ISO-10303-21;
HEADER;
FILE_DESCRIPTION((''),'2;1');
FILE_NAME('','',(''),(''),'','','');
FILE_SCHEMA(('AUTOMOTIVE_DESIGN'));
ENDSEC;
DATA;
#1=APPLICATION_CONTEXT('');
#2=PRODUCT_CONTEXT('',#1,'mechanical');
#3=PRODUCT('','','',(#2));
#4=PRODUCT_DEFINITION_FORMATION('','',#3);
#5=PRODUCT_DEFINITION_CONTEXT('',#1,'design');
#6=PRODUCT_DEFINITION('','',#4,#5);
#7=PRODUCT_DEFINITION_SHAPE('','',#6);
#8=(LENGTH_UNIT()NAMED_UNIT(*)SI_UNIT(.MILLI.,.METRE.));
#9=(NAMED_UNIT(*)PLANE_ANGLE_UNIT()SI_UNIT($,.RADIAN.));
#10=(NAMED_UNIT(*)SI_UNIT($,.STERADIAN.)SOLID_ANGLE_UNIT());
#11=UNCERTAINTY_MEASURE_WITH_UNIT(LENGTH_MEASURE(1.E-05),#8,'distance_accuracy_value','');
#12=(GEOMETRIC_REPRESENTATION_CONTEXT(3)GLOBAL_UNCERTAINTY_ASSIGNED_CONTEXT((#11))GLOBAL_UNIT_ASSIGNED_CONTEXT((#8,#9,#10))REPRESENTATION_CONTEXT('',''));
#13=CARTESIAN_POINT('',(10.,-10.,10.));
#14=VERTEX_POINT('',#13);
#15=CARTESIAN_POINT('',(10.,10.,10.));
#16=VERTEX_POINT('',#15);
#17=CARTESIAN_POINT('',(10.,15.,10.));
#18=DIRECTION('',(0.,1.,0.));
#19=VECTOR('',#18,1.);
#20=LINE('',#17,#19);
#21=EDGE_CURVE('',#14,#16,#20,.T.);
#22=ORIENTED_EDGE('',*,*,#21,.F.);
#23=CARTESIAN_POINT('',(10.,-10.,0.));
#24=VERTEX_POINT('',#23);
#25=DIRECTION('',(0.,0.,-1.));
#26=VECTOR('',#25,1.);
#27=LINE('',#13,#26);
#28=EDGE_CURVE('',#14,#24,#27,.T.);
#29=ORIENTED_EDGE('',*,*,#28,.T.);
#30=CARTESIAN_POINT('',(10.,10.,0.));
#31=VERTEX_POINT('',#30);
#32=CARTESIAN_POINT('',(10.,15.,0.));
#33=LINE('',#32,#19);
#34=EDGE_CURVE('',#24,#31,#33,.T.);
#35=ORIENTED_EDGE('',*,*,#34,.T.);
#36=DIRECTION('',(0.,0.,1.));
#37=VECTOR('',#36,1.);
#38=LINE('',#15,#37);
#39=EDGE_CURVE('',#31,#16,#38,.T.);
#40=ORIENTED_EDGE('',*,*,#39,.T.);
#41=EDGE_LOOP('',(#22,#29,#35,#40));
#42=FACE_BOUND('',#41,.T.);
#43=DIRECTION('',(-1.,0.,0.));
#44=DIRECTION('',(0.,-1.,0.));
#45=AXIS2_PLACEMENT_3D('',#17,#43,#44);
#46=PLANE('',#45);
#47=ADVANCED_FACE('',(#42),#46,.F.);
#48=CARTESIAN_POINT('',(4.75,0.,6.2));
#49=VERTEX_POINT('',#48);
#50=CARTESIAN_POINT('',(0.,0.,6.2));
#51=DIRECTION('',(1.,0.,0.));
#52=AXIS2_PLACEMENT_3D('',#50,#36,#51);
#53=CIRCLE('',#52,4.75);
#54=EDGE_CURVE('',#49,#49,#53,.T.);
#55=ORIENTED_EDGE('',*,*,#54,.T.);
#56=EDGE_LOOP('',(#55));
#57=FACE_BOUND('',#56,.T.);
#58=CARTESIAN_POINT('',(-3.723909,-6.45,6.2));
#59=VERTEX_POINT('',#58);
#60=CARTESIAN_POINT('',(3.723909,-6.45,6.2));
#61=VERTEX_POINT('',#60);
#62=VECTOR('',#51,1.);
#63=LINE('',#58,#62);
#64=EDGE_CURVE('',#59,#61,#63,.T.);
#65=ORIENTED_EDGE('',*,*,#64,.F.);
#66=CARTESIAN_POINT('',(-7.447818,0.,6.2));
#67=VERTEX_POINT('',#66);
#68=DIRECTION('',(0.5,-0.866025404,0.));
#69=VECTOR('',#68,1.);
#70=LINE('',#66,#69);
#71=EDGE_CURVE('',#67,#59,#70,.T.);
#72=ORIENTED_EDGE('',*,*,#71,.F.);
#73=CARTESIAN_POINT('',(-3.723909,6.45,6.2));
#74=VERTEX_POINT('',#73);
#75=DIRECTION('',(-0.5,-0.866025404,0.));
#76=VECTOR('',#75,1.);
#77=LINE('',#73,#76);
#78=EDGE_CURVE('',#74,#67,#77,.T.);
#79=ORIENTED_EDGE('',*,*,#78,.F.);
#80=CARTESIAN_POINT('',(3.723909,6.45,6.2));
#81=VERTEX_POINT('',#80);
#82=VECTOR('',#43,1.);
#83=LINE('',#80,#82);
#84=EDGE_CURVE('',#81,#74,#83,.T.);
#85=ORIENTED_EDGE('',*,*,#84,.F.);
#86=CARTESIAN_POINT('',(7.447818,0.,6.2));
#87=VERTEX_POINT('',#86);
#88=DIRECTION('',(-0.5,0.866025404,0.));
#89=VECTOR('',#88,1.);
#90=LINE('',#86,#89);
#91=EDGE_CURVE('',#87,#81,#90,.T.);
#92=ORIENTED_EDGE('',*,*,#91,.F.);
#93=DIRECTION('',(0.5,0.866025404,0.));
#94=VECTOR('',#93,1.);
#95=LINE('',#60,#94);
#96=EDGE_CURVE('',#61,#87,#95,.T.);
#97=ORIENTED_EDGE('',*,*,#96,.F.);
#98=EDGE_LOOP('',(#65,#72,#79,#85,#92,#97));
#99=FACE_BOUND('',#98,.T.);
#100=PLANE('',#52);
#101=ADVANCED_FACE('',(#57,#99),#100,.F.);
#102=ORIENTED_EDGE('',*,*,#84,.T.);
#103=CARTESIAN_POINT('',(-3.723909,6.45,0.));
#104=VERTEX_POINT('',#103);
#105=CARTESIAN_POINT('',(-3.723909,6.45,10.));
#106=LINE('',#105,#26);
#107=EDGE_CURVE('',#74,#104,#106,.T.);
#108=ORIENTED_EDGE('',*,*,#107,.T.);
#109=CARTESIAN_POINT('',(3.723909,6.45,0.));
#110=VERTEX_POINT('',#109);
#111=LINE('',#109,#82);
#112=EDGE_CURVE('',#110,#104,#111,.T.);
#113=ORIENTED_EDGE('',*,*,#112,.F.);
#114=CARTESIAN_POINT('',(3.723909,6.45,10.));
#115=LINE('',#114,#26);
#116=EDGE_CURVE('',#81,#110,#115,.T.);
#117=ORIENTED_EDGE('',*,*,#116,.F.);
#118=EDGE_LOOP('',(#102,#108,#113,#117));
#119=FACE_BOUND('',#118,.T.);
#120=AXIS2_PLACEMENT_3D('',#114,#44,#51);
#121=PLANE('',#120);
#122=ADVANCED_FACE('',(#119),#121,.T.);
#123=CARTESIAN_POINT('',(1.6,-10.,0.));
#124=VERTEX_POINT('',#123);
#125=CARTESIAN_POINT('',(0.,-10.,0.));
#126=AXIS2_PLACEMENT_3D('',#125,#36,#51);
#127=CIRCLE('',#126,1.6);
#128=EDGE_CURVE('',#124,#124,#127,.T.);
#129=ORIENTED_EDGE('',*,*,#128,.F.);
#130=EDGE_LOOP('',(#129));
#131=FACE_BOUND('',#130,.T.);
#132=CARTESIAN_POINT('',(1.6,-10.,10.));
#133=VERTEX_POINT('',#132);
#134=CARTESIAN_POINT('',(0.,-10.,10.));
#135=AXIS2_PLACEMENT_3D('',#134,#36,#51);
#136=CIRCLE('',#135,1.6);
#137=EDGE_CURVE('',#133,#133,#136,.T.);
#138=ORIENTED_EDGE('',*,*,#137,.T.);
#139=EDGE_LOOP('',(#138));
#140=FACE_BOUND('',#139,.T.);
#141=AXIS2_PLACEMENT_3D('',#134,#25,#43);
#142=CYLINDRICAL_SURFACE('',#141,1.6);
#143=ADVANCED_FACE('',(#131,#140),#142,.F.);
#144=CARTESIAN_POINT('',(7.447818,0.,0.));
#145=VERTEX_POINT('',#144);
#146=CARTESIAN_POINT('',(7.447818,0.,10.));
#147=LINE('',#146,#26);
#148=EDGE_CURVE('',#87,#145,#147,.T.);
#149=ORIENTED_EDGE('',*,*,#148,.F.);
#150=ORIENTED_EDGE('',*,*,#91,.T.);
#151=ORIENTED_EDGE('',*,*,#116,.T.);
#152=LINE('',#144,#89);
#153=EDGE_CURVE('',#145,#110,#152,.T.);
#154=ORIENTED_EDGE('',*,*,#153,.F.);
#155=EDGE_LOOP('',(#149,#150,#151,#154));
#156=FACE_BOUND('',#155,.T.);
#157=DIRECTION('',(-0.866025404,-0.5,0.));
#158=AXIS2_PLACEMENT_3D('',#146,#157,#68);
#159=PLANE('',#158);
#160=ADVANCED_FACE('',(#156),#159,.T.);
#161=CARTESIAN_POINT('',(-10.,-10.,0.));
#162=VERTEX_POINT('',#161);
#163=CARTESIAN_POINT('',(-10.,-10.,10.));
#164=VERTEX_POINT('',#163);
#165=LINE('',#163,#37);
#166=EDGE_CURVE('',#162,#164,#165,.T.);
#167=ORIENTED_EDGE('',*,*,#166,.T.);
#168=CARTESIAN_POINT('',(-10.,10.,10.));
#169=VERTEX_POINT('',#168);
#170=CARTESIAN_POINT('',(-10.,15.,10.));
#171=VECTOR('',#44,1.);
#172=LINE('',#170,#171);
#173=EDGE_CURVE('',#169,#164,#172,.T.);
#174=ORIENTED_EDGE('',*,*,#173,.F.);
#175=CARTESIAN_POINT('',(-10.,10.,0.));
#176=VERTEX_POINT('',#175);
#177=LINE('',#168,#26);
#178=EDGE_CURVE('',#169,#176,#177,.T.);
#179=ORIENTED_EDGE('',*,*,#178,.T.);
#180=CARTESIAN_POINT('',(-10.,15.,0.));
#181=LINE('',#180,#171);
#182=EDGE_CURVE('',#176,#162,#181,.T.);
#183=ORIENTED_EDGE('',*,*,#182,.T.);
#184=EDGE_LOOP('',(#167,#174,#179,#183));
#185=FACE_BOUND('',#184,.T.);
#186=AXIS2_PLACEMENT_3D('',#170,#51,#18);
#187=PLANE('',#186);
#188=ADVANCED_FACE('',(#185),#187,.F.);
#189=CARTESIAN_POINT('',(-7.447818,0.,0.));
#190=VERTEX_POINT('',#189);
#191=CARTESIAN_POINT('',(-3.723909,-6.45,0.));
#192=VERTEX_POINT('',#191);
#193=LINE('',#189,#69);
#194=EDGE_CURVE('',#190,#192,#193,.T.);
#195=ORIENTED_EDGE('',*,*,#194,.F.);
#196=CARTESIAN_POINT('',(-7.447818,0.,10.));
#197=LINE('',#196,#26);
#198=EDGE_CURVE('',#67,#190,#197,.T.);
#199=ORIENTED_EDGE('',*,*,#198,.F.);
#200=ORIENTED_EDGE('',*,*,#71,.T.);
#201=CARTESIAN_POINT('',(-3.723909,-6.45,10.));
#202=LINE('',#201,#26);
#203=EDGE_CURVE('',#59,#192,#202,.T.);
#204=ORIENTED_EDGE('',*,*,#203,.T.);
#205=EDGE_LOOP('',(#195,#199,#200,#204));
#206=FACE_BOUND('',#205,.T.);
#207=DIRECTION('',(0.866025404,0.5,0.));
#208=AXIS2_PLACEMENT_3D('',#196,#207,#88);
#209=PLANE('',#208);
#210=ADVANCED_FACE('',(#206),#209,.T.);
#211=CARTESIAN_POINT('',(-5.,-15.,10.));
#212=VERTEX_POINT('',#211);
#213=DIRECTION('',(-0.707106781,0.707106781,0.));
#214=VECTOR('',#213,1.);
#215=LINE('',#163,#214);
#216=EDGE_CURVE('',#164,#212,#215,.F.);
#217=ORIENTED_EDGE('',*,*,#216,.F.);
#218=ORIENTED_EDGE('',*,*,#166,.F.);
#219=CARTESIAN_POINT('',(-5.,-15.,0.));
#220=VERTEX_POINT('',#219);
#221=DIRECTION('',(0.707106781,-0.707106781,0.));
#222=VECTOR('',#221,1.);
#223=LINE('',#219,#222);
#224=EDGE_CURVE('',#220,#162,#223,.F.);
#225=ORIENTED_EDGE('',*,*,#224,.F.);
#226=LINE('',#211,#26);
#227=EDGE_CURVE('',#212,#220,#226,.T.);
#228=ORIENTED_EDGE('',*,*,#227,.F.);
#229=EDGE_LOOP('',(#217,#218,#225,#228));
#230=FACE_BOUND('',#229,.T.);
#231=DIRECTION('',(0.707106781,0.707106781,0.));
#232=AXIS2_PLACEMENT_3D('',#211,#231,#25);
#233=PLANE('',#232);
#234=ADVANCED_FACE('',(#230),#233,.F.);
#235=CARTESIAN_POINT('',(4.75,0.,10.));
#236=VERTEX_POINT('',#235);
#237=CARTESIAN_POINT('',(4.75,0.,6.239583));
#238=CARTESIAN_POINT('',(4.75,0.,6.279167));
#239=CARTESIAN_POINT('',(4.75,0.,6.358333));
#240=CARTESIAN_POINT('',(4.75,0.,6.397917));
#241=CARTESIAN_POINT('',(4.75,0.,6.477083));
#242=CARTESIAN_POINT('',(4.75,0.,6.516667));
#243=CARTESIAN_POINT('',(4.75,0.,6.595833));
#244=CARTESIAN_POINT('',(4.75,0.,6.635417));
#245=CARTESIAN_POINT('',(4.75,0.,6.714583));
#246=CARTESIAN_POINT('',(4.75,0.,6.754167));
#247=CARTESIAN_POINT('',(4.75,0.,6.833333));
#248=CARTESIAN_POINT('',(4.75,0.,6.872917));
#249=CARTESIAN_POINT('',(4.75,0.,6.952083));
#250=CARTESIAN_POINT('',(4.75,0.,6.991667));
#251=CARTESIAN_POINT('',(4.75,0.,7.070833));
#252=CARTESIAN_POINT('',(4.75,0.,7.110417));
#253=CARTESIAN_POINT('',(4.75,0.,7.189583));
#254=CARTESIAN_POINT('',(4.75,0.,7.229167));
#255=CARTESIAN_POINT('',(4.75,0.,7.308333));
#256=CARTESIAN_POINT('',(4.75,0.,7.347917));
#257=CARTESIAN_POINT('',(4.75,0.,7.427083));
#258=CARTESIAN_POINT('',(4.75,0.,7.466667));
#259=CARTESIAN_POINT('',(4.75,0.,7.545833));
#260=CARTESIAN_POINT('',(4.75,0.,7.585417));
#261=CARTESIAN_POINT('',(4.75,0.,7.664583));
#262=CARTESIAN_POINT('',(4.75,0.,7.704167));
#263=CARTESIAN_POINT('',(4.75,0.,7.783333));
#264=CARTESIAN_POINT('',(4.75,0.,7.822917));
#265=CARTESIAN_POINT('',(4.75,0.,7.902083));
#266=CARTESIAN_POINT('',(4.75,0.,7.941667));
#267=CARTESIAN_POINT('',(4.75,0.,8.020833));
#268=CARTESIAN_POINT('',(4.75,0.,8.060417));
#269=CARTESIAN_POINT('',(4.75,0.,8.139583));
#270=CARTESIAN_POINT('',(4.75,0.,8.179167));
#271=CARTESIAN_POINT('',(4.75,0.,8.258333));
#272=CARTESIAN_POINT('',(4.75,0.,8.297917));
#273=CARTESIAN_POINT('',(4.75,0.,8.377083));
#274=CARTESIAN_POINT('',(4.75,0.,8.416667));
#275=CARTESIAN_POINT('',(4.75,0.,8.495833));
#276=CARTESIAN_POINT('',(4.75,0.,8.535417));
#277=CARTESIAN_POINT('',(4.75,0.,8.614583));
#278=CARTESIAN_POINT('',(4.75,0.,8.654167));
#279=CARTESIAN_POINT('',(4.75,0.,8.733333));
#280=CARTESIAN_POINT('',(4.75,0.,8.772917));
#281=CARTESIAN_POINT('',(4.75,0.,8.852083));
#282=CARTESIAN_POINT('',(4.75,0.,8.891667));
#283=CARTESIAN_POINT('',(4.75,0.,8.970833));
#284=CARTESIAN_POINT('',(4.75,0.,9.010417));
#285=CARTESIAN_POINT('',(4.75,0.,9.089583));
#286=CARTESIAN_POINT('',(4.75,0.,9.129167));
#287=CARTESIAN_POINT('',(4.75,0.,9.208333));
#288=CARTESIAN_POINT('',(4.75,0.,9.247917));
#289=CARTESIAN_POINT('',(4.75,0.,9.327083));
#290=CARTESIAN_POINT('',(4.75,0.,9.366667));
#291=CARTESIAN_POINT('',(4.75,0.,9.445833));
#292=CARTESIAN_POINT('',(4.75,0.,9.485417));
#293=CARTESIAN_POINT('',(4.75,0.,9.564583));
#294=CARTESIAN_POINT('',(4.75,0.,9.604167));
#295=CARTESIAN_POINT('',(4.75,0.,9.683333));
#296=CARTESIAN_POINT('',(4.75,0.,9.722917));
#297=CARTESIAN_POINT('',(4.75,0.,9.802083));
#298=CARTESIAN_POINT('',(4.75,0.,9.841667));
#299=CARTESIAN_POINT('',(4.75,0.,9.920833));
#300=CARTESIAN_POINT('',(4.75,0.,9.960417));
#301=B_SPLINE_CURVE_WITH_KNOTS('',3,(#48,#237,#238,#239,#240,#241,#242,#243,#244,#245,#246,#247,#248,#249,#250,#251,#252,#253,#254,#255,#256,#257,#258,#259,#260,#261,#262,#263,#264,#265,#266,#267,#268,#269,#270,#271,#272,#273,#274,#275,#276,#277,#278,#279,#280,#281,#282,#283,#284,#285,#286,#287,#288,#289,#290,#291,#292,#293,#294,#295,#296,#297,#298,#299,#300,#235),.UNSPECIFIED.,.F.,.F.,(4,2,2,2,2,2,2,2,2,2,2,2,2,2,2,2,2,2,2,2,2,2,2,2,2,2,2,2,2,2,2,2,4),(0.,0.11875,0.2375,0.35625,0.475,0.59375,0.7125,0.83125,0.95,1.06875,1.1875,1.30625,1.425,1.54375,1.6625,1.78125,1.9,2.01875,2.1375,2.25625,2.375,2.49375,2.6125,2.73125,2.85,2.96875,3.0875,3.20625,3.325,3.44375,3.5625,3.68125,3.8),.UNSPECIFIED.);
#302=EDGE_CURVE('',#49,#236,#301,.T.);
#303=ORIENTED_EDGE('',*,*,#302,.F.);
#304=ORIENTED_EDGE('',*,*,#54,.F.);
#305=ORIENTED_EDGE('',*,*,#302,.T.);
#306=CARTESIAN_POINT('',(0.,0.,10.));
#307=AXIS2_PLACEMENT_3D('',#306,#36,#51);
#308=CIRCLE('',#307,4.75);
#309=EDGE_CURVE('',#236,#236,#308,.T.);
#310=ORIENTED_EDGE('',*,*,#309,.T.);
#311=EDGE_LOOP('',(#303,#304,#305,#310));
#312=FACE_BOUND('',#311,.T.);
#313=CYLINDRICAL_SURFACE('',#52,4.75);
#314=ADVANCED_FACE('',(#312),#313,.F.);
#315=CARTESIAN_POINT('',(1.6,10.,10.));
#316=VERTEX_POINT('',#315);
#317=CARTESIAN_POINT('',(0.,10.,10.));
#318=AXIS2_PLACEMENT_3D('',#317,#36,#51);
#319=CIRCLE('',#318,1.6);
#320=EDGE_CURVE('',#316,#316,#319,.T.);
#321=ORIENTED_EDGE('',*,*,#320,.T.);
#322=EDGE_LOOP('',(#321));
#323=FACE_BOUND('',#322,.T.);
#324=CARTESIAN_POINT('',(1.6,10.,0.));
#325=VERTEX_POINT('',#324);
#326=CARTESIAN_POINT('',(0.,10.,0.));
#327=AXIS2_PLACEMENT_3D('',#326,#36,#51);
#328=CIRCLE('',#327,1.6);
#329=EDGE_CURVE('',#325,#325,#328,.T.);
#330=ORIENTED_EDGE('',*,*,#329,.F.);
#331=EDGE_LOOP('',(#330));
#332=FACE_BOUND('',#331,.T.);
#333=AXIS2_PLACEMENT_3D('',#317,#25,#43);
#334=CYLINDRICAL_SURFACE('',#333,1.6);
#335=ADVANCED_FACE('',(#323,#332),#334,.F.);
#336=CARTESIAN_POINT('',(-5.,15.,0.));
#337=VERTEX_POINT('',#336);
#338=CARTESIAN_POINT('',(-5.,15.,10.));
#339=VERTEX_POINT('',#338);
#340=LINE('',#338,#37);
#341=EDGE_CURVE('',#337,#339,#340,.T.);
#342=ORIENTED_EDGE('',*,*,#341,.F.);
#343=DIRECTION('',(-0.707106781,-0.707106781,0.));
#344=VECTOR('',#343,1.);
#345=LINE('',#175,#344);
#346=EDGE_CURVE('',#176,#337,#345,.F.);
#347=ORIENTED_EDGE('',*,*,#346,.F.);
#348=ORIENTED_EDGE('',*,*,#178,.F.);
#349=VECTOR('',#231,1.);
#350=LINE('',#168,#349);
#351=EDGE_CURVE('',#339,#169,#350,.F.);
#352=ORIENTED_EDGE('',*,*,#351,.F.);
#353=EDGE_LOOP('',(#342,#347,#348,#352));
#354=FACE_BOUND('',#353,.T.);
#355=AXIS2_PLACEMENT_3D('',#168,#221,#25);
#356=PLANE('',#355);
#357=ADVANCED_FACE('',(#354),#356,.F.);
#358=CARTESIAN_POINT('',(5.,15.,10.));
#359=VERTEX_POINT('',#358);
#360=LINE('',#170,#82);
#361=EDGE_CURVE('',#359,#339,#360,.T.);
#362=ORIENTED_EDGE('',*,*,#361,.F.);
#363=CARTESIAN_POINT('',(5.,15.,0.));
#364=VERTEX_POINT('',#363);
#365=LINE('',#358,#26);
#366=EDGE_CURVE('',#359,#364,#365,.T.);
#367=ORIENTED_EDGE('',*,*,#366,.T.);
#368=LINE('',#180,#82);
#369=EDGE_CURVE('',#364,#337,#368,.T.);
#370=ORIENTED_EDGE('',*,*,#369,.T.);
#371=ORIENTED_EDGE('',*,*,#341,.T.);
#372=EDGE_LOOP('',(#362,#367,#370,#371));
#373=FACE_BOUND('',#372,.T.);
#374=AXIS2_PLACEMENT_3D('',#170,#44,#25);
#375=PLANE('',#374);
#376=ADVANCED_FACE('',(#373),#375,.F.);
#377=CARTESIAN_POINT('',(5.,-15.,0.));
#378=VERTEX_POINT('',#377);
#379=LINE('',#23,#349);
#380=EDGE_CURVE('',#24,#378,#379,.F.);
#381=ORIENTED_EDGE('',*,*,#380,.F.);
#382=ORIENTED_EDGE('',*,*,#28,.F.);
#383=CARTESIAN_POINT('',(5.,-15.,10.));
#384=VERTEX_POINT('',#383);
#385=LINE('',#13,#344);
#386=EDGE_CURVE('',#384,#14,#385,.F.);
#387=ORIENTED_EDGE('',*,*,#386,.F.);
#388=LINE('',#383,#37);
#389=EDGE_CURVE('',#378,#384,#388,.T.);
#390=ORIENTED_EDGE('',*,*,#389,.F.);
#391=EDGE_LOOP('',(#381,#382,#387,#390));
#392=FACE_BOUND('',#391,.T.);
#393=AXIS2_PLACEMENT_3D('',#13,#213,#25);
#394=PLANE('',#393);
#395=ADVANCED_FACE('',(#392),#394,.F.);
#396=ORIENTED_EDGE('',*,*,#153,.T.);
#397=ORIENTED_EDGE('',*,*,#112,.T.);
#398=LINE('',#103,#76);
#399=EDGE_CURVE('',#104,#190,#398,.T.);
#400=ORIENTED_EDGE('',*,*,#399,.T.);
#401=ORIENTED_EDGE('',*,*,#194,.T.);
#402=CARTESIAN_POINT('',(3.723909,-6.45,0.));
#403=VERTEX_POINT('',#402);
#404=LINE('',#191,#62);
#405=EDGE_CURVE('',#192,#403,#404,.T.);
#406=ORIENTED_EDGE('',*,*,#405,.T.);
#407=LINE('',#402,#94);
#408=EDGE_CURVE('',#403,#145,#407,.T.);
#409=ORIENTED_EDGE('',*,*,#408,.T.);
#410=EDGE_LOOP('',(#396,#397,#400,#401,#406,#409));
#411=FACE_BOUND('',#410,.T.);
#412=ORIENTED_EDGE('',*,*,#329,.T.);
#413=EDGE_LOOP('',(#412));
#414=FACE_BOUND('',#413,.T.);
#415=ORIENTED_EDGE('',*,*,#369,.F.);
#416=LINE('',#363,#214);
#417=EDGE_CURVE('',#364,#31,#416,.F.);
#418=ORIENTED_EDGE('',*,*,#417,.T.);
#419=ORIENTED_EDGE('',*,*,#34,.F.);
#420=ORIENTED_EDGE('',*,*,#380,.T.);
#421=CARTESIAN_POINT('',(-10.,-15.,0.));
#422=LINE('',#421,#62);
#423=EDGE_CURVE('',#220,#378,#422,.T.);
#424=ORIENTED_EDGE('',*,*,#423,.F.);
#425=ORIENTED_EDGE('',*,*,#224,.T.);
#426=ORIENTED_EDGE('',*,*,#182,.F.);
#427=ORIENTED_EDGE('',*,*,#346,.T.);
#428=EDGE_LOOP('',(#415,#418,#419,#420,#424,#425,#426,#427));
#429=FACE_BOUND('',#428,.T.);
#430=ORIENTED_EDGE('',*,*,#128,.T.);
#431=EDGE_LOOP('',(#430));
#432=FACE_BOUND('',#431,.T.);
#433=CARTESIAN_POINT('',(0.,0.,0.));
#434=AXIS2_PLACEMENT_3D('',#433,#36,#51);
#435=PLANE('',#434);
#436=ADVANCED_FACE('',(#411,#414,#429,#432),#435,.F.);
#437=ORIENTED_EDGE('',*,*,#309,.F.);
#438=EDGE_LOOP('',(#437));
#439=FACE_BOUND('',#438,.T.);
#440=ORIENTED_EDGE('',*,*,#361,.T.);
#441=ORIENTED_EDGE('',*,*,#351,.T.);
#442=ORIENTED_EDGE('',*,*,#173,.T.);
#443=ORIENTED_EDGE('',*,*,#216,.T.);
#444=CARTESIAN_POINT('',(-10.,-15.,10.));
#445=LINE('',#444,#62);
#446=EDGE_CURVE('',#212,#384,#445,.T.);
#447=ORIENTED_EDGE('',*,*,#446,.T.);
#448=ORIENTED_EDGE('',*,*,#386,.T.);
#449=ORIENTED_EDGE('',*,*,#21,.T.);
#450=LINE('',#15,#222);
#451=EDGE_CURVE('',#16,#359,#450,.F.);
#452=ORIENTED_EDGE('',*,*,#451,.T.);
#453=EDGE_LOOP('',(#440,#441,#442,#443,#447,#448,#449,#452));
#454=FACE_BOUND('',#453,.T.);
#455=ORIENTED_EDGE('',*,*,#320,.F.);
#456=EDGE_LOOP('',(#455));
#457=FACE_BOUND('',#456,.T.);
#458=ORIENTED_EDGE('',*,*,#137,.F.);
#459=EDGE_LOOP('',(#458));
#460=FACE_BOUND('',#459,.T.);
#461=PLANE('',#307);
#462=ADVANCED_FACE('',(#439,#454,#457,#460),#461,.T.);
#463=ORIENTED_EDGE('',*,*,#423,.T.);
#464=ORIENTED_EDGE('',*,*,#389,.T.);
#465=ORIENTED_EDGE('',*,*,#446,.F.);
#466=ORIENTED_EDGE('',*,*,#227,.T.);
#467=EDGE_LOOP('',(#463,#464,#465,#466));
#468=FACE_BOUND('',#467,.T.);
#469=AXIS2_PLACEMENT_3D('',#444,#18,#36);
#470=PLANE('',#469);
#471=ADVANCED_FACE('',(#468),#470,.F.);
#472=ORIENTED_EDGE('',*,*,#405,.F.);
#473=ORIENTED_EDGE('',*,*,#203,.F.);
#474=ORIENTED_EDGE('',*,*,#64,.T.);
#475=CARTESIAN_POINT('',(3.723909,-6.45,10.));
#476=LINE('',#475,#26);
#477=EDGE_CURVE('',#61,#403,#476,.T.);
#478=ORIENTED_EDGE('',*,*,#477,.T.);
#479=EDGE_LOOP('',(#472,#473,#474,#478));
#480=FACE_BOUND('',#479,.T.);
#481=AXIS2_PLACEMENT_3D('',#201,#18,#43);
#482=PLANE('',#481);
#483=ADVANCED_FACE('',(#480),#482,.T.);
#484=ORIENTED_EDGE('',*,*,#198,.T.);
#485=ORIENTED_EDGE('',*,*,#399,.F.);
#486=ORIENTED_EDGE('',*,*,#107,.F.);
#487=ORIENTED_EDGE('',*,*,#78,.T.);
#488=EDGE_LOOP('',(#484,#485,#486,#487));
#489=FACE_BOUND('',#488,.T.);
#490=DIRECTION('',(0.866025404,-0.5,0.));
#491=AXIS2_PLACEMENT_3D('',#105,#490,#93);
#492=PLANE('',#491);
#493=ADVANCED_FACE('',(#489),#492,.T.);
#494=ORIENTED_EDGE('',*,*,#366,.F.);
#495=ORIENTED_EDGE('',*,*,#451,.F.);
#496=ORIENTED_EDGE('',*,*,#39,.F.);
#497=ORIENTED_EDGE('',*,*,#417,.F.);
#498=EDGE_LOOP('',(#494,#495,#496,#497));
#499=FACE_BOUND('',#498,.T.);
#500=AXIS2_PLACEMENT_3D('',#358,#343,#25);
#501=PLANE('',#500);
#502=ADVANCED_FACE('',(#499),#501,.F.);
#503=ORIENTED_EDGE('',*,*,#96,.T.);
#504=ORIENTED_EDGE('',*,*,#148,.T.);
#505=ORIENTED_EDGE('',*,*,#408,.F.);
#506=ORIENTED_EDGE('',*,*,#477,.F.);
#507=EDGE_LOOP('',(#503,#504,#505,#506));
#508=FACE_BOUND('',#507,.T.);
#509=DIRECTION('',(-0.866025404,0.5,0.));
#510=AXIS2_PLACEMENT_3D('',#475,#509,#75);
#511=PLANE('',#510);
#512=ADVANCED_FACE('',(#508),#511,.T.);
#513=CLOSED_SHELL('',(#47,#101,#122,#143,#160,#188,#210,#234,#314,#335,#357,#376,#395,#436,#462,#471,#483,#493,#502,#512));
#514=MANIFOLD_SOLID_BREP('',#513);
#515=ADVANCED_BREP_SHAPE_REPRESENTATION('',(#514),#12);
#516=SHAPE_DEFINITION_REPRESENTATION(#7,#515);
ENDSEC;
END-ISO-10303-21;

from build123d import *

# Parameters (mm, degrees)
SKETCH_1_W      = 20
SKETCH_1_H      = 30
SKETCH_1_R      = 1.6
EXTRUDE_1_DEPTH = 10
CHAMFER_1_SIZE  = 5
SKETCH_2_W      = 15
SKETCH_2_H      = 15
SKETCH_2_R      = 4.75
EXTRUDE_2_DEPTH = 3.8


with BuildPart() as part:
    # 草圖1 → 填料-伸長1 (new body)
    with BuildSketch(Plane.XY):
        Rectangle(SKETCH_1_W, SKETCH_1_H)
        with Locations((0, 10)):
            Circle(SKETCH_1_R, mode=Mode.SUBTRACT)
        with Locations((0, -10)):
            Circle(SKETCH_1_R, mode=Mode.SUBTRACT)
        Polygon((7.447818473, 0), (3.723909236, 6.45), (-3.723909236, 6.45), (-7.447818473, 0), (-3.723909236, -6.45), (3.723909236, -6.45), align=None, mode=Mode.SUBTRACT)
    extrude(amount=EXTRUDE_1_DEPTH)

    # 導角1
    chamfer_1_edges = [part.edges().sort_by_distance(p)[0] for p in [
        (10, -15, 5),
        (-10, -15, 5),
        (-10, 15, 5),
        (10, 15, 5),
    ]]
    chamfer(chamfer_1_edges, length=CHAMFER_1_SIZE)

    # 草圖2 → 填料-伸長2 (add)
    with BuildSketch(Plane.XY.offset(10)):
        Rectangle(SKETCH_2_W, SKETCH_2_H)
        Circle(SKETCH_2_R, mode=Mode.SUBTRACT)
    extrude(amount=-EXTRUDE_2_DEPTH)


solid = part.part
